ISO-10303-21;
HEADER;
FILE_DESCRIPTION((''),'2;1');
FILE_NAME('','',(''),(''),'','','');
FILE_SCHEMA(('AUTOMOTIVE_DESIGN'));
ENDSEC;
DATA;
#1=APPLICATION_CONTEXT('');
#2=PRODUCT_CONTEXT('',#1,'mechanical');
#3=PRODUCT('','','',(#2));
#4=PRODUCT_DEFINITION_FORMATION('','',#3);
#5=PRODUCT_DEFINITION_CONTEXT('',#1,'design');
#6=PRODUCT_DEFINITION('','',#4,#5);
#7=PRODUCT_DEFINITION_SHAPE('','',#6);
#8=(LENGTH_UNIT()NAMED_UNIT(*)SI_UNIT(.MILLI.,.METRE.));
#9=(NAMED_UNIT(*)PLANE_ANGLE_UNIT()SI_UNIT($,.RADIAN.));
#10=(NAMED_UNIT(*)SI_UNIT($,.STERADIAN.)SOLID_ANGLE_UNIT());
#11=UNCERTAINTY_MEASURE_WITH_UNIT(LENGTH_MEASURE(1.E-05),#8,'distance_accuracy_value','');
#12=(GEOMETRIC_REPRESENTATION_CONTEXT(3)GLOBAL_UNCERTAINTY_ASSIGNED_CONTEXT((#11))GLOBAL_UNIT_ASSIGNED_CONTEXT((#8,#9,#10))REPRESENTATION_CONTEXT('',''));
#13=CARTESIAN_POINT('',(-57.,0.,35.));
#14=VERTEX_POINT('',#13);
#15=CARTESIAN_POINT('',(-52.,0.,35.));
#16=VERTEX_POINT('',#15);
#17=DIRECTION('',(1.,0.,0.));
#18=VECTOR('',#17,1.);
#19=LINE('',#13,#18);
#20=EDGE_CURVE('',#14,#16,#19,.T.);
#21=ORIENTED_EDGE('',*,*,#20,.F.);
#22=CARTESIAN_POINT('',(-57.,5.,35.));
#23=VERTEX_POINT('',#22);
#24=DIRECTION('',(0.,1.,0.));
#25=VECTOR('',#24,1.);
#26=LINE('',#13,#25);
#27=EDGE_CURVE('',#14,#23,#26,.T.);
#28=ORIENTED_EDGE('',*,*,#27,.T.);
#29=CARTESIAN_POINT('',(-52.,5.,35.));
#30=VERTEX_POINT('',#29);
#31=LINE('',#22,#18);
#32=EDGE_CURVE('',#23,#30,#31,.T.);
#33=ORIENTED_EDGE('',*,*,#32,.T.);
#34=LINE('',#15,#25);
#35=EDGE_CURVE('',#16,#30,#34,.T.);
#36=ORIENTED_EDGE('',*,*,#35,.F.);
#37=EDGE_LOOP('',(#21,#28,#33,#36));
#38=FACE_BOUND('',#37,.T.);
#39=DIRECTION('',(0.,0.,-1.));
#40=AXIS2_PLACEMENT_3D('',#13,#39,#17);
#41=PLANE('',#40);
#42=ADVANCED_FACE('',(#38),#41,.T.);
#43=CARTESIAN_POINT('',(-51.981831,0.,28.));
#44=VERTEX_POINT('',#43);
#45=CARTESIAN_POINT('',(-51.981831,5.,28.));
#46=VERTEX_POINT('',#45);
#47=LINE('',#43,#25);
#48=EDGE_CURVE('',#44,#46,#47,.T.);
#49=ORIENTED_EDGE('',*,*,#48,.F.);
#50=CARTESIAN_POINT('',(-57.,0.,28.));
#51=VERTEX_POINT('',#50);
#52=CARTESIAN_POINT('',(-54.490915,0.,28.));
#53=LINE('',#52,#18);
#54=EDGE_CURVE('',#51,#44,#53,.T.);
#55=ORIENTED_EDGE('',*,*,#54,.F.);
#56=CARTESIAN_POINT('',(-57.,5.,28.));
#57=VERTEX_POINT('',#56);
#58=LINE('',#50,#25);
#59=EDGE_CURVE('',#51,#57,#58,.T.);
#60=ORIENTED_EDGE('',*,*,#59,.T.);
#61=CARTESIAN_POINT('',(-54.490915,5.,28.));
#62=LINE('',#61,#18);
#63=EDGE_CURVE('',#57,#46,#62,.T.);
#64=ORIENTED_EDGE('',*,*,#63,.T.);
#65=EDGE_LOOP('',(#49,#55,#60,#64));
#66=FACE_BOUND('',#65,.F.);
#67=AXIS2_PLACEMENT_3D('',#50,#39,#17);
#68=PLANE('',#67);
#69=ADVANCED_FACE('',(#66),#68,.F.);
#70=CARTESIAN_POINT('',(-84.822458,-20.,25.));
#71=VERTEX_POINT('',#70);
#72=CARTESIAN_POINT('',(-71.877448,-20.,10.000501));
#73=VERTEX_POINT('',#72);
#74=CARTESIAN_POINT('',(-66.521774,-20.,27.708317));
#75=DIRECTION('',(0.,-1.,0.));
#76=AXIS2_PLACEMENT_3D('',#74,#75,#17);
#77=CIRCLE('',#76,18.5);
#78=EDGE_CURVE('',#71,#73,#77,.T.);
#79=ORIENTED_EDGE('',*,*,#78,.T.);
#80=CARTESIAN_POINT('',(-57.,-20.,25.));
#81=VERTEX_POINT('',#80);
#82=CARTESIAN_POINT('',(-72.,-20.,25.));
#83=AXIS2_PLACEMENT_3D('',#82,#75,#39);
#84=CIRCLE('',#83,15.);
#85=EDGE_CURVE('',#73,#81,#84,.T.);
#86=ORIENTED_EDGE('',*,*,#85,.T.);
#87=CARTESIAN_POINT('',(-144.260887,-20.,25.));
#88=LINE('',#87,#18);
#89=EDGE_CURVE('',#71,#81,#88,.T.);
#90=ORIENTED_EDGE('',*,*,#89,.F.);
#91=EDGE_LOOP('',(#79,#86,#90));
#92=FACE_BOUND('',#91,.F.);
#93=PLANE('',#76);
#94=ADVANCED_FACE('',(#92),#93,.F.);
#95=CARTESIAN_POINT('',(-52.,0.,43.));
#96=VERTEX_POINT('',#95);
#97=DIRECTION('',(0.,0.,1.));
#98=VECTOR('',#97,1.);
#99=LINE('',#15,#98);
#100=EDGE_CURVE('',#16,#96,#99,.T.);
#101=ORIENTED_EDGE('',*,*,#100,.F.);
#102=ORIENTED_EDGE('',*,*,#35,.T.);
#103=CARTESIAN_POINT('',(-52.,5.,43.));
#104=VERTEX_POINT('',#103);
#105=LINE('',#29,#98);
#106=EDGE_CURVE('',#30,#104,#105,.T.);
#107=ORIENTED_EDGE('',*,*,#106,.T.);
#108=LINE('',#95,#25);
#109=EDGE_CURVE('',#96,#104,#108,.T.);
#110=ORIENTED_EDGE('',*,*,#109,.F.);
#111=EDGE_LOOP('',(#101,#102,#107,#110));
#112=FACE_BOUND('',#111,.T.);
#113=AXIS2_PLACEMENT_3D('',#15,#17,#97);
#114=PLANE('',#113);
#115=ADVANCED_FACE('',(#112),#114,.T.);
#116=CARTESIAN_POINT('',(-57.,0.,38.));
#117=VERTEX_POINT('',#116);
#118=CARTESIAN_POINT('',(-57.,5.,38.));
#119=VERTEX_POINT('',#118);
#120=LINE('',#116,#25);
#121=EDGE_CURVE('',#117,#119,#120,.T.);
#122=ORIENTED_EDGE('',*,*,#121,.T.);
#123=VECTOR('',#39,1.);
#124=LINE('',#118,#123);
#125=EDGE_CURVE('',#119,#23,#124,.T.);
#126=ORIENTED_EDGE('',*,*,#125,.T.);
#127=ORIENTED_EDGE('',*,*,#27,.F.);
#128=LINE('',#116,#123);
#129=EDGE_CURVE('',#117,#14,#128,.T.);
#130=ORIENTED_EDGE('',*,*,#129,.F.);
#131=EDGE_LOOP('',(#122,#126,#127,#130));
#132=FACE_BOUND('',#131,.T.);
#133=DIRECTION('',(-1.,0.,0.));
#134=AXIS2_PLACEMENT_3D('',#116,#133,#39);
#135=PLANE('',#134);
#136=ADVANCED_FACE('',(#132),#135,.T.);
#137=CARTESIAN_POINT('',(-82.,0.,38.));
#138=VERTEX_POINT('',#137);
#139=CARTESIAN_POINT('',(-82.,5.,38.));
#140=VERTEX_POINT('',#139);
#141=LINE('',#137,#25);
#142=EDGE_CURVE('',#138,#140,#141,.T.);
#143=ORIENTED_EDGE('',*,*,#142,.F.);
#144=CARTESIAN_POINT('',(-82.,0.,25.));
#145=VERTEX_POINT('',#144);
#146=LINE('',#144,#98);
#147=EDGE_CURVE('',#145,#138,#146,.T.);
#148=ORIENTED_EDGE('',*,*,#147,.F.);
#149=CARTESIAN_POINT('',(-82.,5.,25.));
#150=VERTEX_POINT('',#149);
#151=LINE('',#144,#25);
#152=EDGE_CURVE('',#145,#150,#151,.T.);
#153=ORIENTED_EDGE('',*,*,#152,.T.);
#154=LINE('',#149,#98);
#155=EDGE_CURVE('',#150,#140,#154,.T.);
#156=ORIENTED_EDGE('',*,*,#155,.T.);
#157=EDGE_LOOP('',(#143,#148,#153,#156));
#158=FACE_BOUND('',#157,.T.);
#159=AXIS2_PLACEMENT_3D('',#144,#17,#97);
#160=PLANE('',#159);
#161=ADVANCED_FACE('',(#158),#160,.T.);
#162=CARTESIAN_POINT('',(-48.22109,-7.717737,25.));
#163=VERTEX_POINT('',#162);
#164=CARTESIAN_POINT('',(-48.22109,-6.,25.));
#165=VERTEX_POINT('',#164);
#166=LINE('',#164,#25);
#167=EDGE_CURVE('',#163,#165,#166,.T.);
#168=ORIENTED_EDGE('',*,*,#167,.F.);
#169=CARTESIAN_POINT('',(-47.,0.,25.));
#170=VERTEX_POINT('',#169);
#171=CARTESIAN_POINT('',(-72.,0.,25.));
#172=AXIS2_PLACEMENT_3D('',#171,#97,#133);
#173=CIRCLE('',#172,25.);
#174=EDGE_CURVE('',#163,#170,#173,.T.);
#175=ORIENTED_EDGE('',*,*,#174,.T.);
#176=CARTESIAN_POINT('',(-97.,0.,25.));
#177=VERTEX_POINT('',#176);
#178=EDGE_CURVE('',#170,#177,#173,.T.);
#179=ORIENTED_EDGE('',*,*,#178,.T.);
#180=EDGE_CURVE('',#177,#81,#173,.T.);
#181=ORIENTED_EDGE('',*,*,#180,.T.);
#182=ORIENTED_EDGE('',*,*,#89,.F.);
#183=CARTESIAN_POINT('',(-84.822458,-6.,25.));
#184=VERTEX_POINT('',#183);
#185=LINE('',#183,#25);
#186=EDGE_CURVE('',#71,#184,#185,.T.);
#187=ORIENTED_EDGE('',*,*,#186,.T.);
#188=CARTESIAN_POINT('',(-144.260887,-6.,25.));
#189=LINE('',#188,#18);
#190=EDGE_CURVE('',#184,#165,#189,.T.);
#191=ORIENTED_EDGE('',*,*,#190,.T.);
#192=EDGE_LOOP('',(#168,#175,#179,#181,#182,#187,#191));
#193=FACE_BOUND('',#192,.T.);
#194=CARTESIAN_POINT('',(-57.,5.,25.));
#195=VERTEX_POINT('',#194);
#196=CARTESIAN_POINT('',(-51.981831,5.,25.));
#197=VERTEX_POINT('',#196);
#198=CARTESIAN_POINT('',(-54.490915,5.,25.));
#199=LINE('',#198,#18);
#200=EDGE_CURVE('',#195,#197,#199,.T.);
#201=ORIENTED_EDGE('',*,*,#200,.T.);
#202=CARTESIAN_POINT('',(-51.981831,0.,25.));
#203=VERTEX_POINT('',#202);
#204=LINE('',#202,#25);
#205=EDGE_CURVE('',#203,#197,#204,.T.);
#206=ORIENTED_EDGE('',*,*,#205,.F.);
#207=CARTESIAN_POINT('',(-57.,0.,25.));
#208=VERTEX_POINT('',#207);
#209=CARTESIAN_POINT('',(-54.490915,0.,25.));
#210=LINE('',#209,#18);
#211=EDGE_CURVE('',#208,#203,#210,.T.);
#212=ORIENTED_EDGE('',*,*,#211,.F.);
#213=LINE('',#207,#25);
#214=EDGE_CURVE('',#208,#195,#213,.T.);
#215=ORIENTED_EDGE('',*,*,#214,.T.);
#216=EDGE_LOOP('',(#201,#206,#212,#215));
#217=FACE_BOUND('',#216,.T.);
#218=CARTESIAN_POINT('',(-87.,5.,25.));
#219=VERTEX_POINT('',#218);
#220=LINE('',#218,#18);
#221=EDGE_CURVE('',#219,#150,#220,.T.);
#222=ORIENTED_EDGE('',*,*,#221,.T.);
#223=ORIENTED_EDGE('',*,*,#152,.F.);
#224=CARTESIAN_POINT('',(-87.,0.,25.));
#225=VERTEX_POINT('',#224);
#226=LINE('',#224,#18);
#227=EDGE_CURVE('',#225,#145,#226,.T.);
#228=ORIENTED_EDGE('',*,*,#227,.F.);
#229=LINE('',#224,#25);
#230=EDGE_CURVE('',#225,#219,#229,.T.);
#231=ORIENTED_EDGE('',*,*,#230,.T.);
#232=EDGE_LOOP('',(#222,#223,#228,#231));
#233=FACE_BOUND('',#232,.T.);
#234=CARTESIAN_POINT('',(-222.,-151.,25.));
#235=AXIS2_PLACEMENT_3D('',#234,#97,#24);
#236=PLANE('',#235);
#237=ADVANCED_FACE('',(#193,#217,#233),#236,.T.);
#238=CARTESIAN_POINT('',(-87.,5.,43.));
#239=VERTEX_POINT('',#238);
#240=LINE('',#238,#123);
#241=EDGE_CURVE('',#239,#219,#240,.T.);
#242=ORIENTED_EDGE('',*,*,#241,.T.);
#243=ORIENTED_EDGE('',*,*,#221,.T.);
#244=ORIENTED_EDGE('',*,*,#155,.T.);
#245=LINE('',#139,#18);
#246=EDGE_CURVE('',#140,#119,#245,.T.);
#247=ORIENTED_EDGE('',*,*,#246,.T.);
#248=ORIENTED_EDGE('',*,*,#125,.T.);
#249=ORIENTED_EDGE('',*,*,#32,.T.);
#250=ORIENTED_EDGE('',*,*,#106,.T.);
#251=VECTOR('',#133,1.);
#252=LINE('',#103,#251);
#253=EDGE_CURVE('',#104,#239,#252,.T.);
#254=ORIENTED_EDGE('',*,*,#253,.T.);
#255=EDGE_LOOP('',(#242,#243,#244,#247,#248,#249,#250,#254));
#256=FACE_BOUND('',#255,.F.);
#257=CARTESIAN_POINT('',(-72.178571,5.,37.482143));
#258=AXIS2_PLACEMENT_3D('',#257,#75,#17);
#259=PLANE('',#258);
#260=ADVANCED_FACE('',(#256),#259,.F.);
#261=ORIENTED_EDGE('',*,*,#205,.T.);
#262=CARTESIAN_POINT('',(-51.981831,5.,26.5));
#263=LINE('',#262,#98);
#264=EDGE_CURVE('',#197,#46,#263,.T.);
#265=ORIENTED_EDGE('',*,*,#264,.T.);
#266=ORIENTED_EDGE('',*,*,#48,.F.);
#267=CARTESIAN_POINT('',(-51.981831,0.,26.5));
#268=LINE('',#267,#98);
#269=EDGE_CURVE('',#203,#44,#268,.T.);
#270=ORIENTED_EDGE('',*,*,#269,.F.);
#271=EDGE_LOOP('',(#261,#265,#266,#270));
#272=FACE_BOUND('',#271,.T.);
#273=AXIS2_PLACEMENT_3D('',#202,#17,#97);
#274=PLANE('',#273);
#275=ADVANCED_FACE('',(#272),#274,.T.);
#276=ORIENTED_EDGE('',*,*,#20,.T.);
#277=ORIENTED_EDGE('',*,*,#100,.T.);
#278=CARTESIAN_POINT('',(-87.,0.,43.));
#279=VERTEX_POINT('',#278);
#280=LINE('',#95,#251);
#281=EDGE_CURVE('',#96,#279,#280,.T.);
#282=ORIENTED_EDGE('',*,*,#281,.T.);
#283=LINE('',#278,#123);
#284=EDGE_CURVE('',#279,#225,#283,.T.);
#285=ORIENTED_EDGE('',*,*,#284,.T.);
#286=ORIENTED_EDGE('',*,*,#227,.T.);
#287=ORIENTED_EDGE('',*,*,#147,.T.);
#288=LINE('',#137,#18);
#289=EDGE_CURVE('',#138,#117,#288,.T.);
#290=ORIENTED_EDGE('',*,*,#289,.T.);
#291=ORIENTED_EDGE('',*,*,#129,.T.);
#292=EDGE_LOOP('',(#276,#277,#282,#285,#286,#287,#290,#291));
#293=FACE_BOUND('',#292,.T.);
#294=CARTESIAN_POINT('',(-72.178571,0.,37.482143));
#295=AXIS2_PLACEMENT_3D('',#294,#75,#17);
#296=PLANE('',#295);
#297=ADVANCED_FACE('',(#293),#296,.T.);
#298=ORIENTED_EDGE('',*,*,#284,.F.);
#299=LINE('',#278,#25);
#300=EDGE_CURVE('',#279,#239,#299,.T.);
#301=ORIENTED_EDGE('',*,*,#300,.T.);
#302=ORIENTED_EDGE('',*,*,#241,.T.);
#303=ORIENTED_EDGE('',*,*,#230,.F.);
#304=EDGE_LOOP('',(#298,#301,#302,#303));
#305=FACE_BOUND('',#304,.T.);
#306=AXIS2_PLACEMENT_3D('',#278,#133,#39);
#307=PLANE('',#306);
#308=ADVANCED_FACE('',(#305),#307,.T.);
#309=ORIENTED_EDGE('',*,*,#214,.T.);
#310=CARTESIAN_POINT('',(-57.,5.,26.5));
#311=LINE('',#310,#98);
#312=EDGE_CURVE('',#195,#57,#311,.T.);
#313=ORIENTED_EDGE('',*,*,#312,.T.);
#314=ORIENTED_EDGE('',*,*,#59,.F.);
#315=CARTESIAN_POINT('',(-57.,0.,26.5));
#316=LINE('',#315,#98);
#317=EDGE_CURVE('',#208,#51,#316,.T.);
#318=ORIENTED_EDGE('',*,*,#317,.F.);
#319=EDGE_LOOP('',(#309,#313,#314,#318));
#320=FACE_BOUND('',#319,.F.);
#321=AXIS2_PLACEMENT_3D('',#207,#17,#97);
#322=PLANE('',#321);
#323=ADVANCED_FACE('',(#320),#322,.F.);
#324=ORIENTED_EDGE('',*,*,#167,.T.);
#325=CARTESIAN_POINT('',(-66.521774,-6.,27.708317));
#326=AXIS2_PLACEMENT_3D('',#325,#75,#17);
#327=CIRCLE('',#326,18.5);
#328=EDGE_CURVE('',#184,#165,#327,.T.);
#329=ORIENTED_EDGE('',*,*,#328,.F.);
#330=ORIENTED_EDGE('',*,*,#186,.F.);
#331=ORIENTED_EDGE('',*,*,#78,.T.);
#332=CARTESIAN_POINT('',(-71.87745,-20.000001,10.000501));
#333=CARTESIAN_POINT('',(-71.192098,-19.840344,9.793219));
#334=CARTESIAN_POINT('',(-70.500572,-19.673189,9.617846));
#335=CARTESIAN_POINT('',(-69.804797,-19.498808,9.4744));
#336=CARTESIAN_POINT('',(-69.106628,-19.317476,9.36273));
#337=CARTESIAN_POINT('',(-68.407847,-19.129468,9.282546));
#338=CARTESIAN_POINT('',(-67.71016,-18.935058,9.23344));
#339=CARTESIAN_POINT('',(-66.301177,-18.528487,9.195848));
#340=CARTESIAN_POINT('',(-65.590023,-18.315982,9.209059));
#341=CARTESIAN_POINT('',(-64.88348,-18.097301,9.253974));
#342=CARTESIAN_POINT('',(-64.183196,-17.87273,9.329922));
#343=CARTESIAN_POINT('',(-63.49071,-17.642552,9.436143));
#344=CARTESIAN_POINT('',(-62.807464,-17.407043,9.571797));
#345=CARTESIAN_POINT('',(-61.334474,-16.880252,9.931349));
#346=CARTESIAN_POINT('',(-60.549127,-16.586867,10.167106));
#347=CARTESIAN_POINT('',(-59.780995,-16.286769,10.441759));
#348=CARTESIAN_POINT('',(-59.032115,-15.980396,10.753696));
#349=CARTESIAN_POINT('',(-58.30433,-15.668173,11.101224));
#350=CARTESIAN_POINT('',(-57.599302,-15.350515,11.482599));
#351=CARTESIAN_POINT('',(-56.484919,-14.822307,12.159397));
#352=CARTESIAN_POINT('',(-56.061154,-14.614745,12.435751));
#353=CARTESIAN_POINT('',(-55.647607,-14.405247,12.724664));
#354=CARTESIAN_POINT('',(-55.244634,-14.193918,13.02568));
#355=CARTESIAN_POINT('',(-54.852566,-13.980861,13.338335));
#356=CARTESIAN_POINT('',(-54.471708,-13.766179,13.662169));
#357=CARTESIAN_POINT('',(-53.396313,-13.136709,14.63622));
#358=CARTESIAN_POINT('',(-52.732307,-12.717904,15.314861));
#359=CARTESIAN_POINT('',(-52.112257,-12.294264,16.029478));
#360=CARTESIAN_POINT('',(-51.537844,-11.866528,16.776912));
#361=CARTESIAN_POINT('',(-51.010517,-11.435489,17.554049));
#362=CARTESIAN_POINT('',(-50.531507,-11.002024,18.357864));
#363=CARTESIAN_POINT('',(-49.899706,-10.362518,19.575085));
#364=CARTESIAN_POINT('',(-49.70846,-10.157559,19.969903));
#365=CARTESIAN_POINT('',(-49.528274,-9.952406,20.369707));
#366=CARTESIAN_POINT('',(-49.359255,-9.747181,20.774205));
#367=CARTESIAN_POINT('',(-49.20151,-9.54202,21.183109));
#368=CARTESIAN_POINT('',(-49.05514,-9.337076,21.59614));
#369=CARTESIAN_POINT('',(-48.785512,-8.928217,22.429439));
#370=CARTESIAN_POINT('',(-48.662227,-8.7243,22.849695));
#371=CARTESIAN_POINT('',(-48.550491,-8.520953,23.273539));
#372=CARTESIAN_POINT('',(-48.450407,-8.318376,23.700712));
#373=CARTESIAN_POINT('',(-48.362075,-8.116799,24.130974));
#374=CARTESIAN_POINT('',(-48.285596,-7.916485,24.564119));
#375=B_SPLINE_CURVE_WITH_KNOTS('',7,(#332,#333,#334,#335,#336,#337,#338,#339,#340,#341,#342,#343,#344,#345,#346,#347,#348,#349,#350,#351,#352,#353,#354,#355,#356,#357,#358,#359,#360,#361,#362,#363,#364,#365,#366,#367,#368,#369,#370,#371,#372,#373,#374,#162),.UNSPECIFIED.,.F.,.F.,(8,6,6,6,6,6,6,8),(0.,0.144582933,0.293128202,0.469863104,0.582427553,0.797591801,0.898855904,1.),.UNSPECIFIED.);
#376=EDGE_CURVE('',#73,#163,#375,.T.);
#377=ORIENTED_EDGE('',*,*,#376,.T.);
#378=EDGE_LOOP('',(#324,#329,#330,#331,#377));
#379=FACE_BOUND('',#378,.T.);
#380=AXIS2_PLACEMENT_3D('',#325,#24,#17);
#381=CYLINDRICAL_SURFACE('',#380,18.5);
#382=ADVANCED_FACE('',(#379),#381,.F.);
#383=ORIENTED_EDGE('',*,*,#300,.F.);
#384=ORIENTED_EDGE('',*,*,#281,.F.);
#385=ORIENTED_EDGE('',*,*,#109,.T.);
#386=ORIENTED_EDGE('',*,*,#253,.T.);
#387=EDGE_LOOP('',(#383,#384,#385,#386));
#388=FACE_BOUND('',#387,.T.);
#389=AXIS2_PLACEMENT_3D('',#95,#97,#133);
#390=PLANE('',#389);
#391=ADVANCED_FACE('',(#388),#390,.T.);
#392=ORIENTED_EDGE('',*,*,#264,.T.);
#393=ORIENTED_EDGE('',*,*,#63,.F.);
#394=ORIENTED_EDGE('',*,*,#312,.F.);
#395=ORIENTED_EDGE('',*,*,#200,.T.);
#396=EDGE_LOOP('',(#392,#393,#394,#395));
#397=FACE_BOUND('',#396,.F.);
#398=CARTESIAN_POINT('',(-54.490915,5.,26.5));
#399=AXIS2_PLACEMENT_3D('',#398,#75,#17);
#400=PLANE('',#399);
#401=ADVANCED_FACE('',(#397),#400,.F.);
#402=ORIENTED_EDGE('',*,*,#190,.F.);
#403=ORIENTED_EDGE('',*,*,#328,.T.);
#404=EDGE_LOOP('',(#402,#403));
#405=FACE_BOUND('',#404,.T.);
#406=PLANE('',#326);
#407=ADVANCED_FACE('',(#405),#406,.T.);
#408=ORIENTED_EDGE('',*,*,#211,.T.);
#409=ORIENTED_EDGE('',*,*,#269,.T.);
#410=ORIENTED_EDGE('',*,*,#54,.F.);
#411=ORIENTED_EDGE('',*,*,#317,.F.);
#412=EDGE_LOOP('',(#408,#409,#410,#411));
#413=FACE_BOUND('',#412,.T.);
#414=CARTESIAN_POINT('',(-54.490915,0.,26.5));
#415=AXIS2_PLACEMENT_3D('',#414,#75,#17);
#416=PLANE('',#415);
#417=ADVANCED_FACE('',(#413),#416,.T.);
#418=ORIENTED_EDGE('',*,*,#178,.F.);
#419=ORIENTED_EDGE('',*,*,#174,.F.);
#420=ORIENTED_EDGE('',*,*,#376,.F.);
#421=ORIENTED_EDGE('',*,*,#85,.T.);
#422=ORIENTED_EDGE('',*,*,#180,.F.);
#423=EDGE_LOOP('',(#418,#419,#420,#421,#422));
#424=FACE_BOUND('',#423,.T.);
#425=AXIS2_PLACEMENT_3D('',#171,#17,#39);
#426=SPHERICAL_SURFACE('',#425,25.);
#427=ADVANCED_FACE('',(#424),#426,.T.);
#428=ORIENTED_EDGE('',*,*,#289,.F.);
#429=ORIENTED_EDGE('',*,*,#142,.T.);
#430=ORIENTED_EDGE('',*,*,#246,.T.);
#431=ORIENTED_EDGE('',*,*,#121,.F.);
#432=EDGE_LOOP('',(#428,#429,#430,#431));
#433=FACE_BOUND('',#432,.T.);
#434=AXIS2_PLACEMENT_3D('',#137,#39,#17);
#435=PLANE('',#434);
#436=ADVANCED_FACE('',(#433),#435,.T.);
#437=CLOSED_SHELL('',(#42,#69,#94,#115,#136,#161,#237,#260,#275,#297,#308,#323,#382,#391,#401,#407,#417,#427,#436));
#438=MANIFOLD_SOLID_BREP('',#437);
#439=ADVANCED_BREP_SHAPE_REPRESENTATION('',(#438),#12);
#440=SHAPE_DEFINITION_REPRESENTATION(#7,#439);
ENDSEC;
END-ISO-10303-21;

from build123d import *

# Parameters (mm, degrees)
SKETCH016_R                = 18.5
EXTRUDE030_DEPTH           = 14
EXTRUDE030_PLACEMENT_ANGLE = 90
SKETCH018_W                = 5.018169
SKETCH018_H                = 3
EXTRUDE031_DEPTH           = 5
BOX044_W                   = 210
BOX044_H                   = 320
BOX044_DEPTH               = 320
CUT053_PLACEMENT_ANGLE     = 90
EXTRUDE029_DEPTH           = 5


with BuildPart() as hueco004:
    # Sketch016 → Extrude030 (new body)
    with BuildSketch(Plane.XY):
        with Locations((53.478226, 36.958317)):
            Circle(SKETCH016_R)
    extrude(amount=EXTRUDE030_DEPTH)


with BuildPart() as hueco004_1:
    # Extrude030 placement: moved
    add(hueco004.part.moved(Location((-48, -6, -9.25))).rotate(Axis((-48, -6, -9.25), (1, 0, 0)), EXTRUDE030_PLACEMENT_ANGLE))


with BuildPart() as extrude031:
    # Sketch018 → Extrude031 (new body)
    with BuildSketch(Plane.XZ):
        with Locations((27.509085, -11.5)):
            Rectangle(SKETCH018_W, SKETCH018_H)
    extrude(amount=-EXTRUDE031_DEPTH)


with BuildPart() as cubo044:
    # Box044 → Box044 (new body)
    with BuildSketch(Plane(origin=(0, -151, -150), x_dir=(1, 0, 0), z_dir=(0, 0, 1))):
        with Locations((105, 160)):
            Rectangle(BOX044_W, BOX044_H)
    extrude(amount=BOX044_DEPTH)


with BuildPart() as cut052:
    # Sphere008 → Sphere008 (revolve)
    with BuildSketch(Plane.XZ):
        with BuildLine():
            ThreePointArc((0, -150), (150, 0), (0, 150))
            Line((0, 150), (0, -150))
        make_face()
    revolve(axis=Axis((0, 0, 0), (0, 0, 1)))

    # Cut052: cut Cubo044
    add(cubo044.part, mode=Mode.SUBTRACT)


with BuildPart() as cut053:
    # Sphere009 → Sphere009 (revolve)
    with BuildSketch(Plane.XZ):
        with BuildLine():
            ThreePointArc((0, -25), (25, 0), (0, 25))
            Line((0, 25), (0, -25))
        make_face()
    revolve(axis=Axis((0, 0, 0), (0, 0, 1)))

    # Cut053: cut Cut052
    add(cut052.part, mode=Mode.SUBTRACT)


with BuildPart() as cut053_1:
    # Cut053 placement: moved
    add(cut053.part.moved(Location((10, 0, -13))).rotate(Axis((10, 0, -13), (0, 1, 0)), CUT053_PLACEMENT_ANGLE))


with BuildPart() as cola:
    # Sketch017 → Extrude029 (new body)
    with BuildSketch(Plane.XZ):
        Polygon((0, 0), (25, 0), (25, -3), (30, -3), (30, 5), (-5, 5), (-5, -13), (0, -13), align=None)
    extrude(amount=-EXTRUDE029_DEPTH)

    # Fusion024: union Cut053
    add(cut053_1.part)

    # Fusion025: union Extrude031
    add(extrude031.part)


with BuildPart() as cola_1:
    # Fusion025 placement: moved
    add(cola.part.moved(Location((-10, 0, 38))))

    # Cut054: cut hueco004
    add(hueco004_1.part, mode=Mode.SUBTRACT)


with BuildPart() as cola_2:
    # Cut054 placement: moved
    add(cola_1.part.moved(Location((-72, 0, 0))))


solid = cola_2.part
